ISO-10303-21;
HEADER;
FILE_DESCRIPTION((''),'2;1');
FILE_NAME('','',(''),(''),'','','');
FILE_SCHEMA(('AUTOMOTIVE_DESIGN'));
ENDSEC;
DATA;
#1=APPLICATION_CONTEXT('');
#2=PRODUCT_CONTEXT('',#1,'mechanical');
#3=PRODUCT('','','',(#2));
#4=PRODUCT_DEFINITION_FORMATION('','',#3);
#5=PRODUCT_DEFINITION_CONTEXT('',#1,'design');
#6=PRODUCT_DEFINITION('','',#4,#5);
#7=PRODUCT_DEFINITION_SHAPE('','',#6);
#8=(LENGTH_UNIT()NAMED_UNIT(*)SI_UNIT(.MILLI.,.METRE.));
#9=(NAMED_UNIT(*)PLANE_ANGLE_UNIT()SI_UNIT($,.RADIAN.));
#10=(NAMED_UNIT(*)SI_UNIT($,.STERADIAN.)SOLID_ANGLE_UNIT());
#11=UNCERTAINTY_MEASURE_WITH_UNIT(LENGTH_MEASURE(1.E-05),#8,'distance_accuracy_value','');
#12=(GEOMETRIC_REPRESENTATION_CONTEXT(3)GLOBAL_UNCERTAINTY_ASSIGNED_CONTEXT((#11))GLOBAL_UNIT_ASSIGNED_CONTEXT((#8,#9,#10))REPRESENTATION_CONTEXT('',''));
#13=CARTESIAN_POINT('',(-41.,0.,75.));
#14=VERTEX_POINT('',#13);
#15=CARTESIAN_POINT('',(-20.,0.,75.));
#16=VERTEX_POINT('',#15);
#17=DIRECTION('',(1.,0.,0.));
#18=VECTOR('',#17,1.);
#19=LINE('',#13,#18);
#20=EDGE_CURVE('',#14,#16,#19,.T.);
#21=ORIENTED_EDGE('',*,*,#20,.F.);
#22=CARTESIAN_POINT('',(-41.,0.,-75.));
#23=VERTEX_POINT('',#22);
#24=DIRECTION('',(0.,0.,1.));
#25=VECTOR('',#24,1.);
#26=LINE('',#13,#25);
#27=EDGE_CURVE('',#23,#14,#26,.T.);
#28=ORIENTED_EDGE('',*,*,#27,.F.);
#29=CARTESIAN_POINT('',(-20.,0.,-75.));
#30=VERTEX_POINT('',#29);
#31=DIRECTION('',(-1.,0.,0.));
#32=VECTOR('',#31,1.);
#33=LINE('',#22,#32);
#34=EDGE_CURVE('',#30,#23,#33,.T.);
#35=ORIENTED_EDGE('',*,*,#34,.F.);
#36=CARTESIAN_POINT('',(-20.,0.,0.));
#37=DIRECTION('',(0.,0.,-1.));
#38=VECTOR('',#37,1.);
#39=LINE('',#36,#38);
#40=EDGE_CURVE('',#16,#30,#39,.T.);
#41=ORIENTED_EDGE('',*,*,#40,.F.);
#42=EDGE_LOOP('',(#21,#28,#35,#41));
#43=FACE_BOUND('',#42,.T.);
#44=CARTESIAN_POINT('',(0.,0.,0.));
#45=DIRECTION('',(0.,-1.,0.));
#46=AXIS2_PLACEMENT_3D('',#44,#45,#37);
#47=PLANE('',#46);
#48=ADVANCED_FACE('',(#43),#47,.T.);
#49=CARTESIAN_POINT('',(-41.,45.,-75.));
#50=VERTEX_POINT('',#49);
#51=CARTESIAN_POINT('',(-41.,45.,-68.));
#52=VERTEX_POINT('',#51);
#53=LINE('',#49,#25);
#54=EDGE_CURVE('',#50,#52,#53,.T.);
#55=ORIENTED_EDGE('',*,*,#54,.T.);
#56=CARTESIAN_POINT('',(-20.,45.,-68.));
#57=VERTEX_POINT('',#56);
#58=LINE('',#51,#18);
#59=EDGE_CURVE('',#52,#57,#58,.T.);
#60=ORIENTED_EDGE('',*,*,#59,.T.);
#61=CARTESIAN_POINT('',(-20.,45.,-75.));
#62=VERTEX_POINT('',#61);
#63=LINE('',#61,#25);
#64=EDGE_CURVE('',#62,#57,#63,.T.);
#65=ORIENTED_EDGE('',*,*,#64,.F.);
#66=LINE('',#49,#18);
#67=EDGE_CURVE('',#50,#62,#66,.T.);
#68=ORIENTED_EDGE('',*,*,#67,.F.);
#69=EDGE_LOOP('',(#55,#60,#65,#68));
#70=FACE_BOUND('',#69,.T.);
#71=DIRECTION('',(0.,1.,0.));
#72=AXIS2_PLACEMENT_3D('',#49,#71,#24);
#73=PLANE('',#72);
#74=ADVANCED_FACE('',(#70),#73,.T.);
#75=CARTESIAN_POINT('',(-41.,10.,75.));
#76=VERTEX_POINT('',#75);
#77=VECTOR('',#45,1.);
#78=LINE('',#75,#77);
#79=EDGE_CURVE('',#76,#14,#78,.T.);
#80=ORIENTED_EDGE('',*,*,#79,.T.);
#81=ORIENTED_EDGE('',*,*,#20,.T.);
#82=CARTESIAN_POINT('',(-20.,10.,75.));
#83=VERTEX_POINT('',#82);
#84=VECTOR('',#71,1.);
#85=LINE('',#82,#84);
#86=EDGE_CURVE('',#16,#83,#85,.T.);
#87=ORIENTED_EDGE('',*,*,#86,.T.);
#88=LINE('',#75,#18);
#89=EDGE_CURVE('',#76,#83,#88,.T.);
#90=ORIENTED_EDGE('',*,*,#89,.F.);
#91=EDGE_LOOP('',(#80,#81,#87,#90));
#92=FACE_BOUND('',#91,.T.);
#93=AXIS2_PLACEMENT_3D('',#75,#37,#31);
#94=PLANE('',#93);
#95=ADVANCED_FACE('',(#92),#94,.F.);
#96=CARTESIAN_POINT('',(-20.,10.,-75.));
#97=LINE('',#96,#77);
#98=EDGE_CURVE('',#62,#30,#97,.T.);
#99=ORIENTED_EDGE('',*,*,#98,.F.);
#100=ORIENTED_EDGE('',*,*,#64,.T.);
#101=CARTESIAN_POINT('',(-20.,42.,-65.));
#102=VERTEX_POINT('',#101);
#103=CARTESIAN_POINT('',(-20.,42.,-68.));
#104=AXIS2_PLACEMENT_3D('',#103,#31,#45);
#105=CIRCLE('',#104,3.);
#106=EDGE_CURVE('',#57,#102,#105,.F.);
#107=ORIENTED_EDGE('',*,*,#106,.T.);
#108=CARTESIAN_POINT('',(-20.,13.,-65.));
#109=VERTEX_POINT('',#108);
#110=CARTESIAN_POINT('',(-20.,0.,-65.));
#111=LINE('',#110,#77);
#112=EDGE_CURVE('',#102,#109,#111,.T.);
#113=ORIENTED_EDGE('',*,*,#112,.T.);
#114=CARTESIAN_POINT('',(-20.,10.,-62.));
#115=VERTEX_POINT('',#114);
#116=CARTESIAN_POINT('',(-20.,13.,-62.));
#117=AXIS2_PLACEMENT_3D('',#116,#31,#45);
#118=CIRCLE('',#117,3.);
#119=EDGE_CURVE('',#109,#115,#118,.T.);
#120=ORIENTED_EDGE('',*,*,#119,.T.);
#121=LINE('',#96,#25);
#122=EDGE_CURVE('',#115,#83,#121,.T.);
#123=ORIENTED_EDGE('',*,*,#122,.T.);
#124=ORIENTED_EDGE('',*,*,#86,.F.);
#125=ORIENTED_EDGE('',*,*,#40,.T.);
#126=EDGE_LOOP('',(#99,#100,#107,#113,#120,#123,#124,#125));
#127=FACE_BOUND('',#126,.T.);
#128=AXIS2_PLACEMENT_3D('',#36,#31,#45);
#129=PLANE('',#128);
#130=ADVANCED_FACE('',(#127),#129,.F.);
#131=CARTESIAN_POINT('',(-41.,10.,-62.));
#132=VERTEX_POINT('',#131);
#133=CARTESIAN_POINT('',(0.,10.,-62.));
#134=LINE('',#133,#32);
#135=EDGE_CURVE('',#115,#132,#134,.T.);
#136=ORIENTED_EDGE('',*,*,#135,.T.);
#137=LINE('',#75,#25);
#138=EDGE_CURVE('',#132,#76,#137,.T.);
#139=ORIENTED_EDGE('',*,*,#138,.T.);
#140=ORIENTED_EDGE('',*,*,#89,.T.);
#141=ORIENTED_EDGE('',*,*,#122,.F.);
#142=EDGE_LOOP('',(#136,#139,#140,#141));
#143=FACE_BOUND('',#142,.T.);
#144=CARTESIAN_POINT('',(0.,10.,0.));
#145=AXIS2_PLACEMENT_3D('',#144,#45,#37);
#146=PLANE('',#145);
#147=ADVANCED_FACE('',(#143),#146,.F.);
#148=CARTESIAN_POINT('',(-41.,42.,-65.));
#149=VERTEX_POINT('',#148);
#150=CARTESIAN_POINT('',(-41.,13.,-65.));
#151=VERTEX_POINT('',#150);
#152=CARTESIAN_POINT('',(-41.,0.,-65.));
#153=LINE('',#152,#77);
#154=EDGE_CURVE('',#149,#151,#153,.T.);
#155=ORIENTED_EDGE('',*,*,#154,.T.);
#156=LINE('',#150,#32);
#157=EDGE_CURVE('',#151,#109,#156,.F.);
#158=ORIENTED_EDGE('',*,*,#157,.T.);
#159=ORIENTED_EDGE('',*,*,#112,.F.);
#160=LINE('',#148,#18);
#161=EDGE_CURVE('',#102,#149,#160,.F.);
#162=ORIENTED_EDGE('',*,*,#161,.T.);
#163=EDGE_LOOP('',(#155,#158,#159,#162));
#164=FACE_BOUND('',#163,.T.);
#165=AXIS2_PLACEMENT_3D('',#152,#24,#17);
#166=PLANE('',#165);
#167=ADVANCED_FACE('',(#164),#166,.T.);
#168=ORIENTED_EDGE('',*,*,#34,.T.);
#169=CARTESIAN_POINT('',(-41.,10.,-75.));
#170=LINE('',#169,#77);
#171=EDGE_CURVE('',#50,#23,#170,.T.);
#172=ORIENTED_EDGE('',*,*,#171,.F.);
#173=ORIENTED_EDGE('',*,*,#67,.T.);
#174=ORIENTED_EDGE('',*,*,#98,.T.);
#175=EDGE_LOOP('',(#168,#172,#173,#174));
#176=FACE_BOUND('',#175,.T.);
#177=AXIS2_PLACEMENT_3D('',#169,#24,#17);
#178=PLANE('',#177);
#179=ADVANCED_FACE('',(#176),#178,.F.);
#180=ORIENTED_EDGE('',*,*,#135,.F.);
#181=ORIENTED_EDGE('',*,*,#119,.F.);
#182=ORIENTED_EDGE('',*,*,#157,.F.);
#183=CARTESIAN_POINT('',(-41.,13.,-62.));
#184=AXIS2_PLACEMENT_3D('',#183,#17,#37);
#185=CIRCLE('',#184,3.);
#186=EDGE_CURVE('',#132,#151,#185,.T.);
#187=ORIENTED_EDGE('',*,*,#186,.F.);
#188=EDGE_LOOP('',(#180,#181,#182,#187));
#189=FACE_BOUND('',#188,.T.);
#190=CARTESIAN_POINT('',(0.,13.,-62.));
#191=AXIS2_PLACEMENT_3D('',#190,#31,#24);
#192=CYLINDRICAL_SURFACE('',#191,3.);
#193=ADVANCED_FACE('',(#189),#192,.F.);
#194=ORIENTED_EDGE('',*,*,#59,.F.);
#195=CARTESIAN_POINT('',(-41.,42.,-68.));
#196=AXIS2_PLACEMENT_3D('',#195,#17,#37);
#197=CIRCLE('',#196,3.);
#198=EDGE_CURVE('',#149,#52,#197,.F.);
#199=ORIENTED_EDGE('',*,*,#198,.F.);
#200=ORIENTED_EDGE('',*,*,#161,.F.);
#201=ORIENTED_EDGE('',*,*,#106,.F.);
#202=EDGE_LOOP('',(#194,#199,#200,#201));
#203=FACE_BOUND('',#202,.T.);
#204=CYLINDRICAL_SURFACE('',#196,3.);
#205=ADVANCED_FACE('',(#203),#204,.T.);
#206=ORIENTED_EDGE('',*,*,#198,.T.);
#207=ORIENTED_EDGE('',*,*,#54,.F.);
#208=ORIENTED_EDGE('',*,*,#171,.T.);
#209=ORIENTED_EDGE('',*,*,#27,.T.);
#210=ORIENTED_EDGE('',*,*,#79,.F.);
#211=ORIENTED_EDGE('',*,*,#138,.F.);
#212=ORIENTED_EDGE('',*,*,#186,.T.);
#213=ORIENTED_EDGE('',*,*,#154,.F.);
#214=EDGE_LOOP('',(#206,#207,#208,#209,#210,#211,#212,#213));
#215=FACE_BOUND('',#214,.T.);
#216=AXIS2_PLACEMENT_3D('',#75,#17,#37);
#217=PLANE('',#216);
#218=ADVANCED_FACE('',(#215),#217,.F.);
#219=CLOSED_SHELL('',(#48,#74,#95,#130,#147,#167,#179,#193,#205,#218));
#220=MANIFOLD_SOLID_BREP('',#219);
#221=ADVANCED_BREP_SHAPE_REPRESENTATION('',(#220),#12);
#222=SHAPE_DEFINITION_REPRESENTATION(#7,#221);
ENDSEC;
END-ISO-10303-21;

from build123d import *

# Parameters (mm, degrees)
SKETCH1_W                = 82
SKETCH1_H                = 150
BOSS_EXTRUDE1_DEPTH      = 10
SKETCH2_W                = 10
SKETCH2_H                = 45
BOSS_EXTRUDE2_DEPTH      = 82
BOSS_EXTRUDE3_DEPTH      = 42
BOSS_EXTRUDE3_DEPTH_BACK = 10
FILLET3_RADIUS           = 26
FILLET3_LENGTH           = 10
FILLET4_RADIUS           = 26
FILLET4_LENGTH           = 10
BOSS_EXTRUDE4_DEPTH      = 10
BOSS_EXTRUDE5_DEPTH      = 10
FILLET5_R                = 15
FILLET6_R                = 15
SKETCH6_R                = 8
SKETCH6_R_2              = 5.5
CUT_EXTRUDE1_DEPTH       = 131.057679512
FILLET7_R                = 3
FILLET8_R                = 3
FILLET9_R                = 3
FILLET10_R               = 3
FILLET11_R               = 2
SKETCH7_R                = 5.5
CUT_EXTRUDE2_DEPTH       = 116.043470045
SKETCH8_W                = 182.93165677
SKETCH8_H                = 103.574339271
CUT_EXTRUDE3_DEPTH       = 131.057679512
SKETCH9_W                = 12.711196948
SKETCH9_H                = 88.540061501
BOSS_EXTRUDE6_DEPTH      = 10


with BuildPart() as part:
    # Sketch1 → Boss-Extrude1 (new body)
    with BuildSketch(Plane(origin=(0, 0, 0), x_dir=(1, 0, 0), z_dir=(0, 1, 0))):
        Rectangle(SKETCH1_W, SKETCH1_H)
    extrude(amount=BOSS_EXTRUDE1_DEPTH)

    # Sketch2 → Boss-Extrude2 (add, through all)
    with BuildSketch(Plane(origin=(41, 0, 0), x_dir=(0, 0, -1), z_dir=(1, 0, 0))):
        with Locations((70, 22.5)):
            Rectangle(SKETCH2_W, SKETCH2_H)
    extrude(amount=-BOSS_EXTRUDE2_DEPTH)

    # Sketch3 → Boss-Extrude3 (add, two sides: drawn at the far end of the back side and taken through both)
    with BuildSketch(Plane.XY.offset(-65).offset(-BOSS_EXTRUDE3_DEPTH_BACK)):
        Polygon((10, 45), (10, 10), (20, 10), (20, 45), (20, 87), (10, 87), align=None)
        Polygon((-10, 45), (-10, 87), (-20, 87), (-20, 45), (-20, 10), (-10, 10), align=None)
    extrude(amount=BOSS_EXTRUDE3_DEPTH + BOSS_EXTRUDE3_DEPTH_BACK)

    # Fillet3: full round fillet: the end face becomes a half cylinder, R = half its width
    fillet3_face = Plane((15, 87, -49), x_dir=(-1, 0, 0), z_dir=(0, 1, 0))  # on the end face: x along it, z out of the body
    fillet3_slab = fillet3_face.offset(-FILLET3_RADIUS / 2) * Box(FILLET3_LENGTH, 2 * FILLET3_RADIUS, FILLET3_RADIUS, mode=Mode.PRIVATE)  # the body's end, R deep
    fillet3_round = Plane((15, 61, -49), x_dir=(0, 1, 0), z_dir=(-1, 0, 0)) * Cylinder(FILLET3_RADIUS, FILLET3_LENGTH, mode=Mode.PRIVATE)  # its axis R under the face
    add(fillet3_slab - fillet3_round, mode=Mode.SUBTRACT)

    # Fillet4: full round fillet: the end face becomes a half cylinder, R = half its width
    fillet4_face = Plane((-15, 87, -49), x_dir=(-1, 0, 0), z_dir=(0, 1, 0))  # on the end face: x along it, z out of the body
    fillet4_slab = fillet4_face.offset(-FILLET4_RADIUS / 2) * Box(FILLET4_LENGTH, 2 * FILLET4_RADIUS, FILLET4_RADIUS, mode=Mode.PRIVATE)  # the body's end, R deep
    fillet4_round = Plane((-15, 61, -49), x_dir=(0, 1, 0), z_dir=(-1, 0, 0)) * Cylinder(FILLET4_RADIUS, FILLET4_LENGTH, mode=Mode.PRIVATE)  # its axis R under the face
    add(fillet4_slab - fillet4_round, mode=Mode.SUBTRACT)

    # Sketch4 → Boss-Extrude4 (add)
    with BuildSketch(Plane(origin=(20, 0, 0), x_dir=(0, 0, -1), z_dir=(1, 0, 0))):
        Polygon((23, 10), (23, 50), (-75, 25), (-75, 10), align=None)
    extrude(amount=-BOSS_EXTRUDE4_DEPTH)

    # Sketch5 → Boss-Extrude5 (add)
    with BuildSketch(Plane.ZY.offset(20)):
        Polygon((-23, 50), (75, 25), (75, 10), (-23, 10), align=None)
    extrude(amount=-BOSS_EXTRUDE5_DEPTH)

    # Fillet5
    fillet5_edges = [part.edges().sort_by_distance(p)[0] for p in [
        (15, 25, 75),
    ]]
    fillet(fillet5_edges, radius=FILLET5_R)

    # Fillet6
    fillet6_edges = [part.edges().sort_by_distance(p)[0] for p in [
        (-15, 25, 75),
    ]]
    fillet(fillet6_edges, radius=FILLET6_R)

    # Sketch6 → Cut-Extrude1 (cut, through all)
    with BuildSketch(Plane(origin=(20, 0, 0), x_dir=(0, 0, -1), z_dir=(1, 0, 0))):
        with Locations((49, 61)):
            Circle(SKETCH6_R)
        with Locations((-60, 17.5)):
            Circle(SKETCH6_R_2)
    extrude(amount=-CUT_EXTRUDE1_DEPTH, mode=Mode.SUBTRACT)

    # Fillet7
    fillet7_edges = [part.edges().sort_by_distance(p)[0] for p in [
        (30.5, 45, -65),
    ]]
    fillet(fillet7_edges, radius=FILLET7_R)

    # Fillet8
    fillet8_edges = [part.edges().sort_by_distance(p)[0] for p in [
        (0, 45, -65),
    ]]
    fillet(fillet8_edges, radius=FILLET8_R)

    # Fillet9
    fillet9_edges = [part.edges().sort_by_distance(p)[0] for p in [
        (-30.5, 45, -65),
    ]]
    fillet(fillet9_edges, radius=FILLET9_R)

    # Fillet10
    fillet10_edges = [part.edges().sort_by_distance(p)[0] for p in [
        (30.5, 10, -65),
        (0, 10, -65),
        (-30.5, 10, -65),
    ]]
    fillet(fillet10_edges, radius=FILLET10_R)

    # Fillet11
    fillet11_edges = [part.edges().sort_by_distance(p)[0] for p in [
        (15, 50, -23),
        (-15, 50, -23),
    ]]
    fillet(fillet11_edges, radius=FILLET11_R)

    # Sketch7 → Cut-Extrude2 (cut, through all)
    with BuildSketch(Plane(origin=(0, 10, 0), x_dir=(1, 0, 0), z_dir=(0, 1, 0))):
        with Locations(Location((31.5, 45, 0), (0, 0, 270))):
            Circle(SKETCH7_R)
        with Locations(Location((31.5, -15, 0), (0, 0, 270))):
            Circle(SKETCH7_R)
        with Locations(Location((-31.5, -15, 0), (0, 0, 90))):
            Circle(SKETCH7_R)
        with Locations(Location((-31.5, 45, 0), (0, 0, 90))):
            Circle(SKETCH7_R)
    extrude(amount=-CUT_EXTRUDE2_DEPTH, mode=Mode.SUBTRACT)

    # Sketch8 → Cut-Extrude3 (cut, through all)
    with BuildSketch(Plane.ZY.offset(20)):
        with Locations((0.186284783, 47.287847829)):
            Rectangle(SKETCH8_W, SKETCH8_H)
    extrude(amount=-CUT_EXTRUDE3_DEPTH, mode=Mode.SUBTRACT)

    # Sketch9 → Boss-Extrude6 (add, through all)
    with BuildSketch(Plane(origin=(0, 10, 0), x_dir=(1, 0, 0), z_dir=(0, 1, 0))):
        with Locations((-31.157475704, 8.108867018)):
            Rectangle(SKETCH9_W, SKETCH9_H)
    extrude(amount=-BOSS_EXTRUDE6_DEPTH)


solid = part.part
